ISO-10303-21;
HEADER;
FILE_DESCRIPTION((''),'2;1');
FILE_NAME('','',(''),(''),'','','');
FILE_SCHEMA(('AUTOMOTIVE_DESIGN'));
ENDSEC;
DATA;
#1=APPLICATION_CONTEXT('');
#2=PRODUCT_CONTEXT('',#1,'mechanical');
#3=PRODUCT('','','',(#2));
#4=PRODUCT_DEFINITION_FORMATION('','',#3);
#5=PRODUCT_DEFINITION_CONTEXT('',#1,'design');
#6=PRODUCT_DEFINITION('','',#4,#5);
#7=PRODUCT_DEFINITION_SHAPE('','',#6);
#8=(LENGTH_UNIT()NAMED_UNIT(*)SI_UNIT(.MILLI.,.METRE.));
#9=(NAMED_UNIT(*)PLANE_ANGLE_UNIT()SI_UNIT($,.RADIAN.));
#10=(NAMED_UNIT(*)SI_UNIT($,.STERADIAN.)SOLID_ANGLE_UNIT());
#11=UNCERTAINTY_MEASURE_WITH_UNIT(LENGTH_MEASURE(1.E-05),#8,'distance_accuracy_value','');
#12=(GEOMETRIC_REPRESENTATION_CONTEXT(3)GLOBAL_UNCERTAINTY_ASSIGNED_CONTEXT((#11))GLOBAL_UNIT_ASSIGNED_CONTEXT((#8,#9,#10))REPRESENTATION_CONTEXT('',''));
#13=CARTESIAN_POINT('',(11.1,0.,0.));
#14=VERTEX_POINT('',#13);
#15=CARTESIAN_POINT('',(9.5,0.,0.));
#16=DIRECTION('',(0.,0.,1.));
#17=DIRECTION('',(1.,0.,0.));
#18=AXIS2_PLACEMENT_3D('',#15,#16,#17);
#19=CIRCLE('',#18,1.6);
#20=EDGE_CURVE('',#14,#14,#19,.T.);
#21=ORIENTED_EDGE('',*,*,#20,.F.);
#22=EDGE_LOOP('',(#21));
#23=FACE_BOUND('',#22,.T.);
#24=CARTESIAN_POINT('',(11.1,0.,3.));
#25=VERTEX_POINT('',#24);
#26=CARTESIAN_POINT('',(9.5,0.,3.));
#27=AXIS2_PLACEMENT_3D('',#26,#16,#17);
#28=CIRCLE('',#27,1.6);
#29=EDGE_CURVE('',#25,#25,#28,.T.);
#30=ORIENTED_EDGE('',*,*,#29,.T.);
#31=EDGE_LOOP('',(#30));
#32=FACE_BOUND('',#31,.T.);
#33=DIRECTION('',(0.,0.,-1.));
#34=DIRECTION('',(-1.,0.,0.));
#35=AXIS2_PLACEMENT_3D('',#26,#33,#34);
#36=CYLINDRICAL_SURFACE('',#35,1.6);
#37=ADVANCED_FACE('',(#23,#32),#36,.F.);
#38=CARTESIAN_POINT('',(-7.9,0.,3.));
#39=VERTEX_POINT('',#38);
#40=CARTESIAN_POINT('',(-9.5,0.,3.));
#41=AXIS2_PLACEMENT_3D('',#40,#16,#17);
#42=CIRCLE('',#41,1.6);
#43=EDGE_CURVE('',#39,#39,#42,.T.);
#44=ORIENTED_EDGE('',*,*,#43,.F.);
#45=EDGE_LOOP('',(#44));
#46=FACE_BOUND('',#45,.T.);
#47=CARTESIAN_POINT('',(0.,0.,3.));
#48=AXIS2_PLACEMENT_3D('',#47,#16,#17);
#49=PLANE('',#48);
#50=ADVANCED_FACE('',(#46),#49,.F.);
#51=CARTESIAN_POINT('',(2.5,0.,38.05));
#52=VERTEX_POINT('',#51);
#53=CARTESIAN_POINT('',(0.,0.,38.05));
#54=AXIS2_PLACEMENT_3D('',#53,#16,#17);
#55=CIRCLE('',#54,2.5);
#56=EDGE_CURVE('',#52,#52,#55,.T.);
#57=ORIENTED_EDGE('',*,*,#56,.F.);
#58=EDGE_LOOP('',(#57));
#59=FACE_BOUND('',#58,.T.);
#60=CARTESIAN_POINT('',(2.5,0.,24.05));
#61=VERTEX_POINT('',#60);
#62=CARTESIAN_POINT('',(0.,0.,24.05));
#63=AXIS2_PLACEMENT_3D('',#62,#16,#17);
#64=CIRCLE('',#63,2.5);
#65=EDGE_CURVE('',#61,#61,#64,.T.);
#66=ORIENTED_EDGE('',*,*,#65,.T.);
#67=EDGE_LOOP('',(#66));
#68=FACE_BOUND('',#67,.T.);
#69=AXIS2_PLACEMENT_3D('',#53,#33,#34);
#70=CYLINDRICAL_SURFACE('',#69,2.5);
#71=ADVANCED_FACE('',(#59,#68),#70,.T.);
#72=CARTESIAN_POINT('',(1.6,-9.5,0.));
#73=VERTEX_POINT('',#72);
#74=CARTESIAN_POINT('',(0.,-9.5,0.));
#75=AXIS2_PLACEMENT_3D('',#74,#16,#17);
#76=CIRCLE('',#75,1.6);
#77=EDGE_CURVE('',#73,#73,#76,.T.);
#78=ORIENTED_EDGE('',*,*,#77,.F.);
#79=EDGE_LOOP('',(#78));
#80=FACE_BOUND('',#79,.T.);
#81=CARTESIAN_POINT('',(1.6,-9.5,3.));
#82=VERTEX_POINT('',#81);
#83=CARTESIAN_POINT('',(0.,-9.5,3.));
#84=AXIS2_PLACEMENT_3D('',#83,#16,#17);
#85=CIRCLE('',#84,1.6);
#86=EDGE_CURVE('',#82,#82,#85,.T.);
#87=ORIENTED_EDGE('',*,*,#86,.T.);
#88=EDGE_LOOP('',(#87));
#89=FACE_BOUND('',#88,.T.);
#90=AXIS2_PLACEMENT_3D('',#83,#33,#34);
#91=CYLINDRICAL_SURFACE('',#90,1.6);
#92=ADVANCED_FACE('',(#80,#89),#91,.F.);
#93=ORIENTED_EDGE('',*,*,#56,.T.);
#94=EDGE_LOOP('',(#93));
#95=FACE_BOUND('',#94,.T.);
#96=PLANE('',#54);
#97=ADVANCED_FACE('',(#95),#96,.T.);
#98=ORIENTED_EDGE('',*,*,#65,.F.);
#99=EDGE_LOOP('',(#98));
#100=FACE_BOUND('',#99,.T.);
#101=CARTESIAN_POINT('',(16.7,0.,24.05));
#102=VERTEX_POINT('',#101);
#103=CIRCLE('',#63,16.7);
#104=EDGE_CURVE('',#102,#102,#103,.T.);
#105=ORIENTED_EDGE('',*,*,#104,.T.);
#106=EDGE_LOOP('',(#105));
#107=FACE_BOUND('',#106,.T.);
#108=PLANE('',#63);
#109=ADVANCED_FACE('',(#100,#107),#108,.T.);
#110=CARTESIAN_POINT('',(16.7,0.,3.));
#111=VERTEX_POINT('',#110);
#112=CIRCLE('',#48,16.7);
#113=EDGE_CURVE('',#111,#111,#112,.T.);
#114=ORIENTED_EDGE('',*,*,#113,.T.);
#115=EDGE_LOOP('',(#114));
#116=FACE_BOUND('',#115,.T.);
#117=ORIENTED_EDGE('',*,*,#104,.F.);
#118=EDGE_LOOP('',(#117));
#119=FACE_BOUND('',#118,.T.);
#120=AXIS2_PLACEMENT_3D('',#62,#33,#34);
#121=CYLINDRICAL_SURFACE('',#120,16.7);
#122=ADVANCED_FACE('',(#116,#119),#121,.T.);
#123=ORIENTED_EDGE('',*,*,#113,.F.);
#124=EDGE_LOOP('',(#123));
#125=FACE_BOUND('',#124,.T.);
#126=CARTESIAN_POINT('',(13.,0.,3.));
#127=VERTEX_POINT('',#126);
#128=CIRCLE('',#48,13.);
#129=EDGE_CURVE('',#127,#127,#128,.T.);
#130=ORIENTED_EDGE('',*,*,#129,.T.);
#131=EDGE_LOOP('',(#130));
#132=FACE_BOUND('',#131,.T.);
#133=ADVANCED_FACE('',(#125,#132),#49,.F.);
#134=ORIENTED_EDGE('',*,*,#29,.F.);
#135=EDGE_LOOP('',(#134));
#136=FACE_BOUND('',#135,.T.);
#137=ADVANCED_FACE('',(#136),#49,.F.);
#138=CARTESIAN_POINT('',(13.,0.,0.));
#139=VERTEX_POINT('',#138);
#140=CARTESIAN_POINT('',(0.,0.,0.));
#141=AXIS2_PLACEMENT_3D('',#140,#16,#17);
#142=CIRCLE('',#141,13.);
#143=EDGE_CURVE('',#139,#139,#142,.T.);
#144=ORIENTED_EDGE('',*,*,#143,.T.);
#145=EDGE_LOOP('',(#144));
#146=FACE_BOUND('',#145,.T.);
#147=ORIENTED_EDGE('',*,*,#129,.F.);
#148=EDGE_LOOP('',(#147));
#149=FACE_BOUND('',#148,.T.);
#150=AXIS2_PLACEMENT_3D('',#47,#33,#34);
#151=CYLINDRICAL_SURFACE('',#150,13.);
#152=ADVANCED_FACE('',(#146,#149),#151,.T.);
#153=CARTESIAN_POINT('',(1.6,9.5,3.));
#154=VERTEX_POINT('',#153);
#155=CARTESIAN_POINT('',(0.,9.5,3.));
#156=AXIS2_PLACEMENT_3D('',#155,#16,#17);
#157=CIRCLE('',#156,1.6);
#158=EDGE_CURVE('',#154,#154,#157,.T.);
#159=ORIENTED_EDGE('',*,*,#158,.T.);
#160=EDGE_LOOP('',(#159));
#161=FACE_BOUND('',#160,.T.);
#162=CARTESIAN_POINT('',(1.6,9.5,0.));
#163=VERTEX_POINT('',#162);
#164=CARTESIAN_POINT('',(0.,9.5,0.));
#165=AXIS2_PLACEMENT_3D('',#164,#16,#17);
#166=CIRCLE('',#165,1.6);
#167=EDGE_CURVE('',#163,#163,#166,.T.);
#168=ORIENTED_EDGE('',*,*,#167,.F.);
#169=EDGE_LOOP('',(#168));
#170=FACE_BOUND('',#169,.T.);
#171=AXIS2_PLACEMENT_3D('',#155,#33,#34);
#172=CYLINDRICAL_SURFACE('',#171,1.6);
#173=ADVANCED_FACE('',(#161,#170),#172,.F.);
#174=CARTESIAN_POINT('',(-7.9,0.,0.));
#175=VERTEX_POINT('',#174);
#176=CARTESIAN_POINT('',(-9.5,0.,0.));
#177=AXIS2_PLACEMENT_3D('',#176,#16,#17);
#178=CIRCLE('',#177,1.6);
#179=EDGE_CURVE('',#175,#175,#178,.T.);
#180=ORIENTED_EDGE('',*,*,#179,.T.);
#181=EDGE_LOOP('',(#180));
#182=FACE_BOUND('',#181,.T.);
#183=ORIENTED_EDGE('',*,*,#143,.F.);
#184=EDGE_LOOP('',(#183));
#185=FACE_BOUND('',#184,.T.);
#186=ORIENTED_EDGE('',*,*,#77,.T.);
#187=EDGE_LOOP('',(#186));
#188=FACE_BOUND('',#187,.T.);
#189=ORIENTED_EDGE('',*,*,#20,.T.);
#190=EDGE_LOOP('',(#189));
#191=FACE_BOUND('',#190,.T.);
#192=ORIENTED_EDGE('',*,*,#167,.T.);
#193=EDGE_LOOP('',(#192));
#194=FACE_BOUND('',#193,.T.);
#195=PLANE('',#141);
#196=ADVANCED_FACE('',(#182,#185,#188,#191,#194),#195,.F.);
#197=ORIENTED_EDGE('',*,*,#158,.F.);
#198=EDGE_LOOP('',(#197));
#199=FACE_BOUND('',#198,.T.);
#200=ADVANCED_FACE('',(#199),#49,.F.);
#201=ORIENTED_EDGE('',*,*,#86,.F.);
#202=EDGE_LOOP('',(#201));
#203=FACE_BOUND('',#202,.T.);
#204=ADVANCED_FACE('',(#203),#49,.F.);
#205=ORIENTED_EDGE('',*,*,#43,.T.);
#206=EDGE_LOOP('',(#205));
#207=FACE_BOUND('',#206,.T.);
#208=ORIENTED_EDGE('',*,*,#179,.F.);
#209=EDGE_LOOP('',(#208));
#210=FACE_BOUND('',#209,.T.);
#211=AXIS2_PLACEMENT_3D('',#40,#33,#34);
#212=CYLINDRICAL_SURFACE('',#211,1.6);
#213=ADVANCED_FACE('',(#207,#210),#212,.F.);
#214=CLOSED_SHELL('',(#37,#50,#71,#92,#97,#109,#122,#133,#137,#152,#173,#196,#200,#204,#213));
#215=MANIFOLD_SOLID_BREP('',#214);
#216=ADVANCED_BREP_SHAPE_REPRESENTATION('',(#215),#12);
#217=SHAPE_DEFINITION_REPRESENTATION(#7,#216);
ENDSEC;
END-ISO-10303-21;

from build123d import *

# Parameters (mm, degrees)
SKETCH_1_R        = 13
SKETCH_1_R_2      = 1.6
EXTRUDE_228_DEPTH = 3
EXTRUDE_START     = 3
SKETCH_2_R        = 16.7
EXTRUDE_287_DEPTH = 21.05
M5_14MM_START     = 24.05
SKETCH_3_R        = 2.5
M5_14MM_DEPTH     = 14


with BuildPart() as part:
    # 草图1 → Extrude 228 (new body)
    with BuildSketch(Plane.XY):
        Circle(SKETCH_1_R)
        with Locations((-9.5, 0)):
            Circle(SKETCH_1_R_2, mode=Mode.SUBTRACT)
        with Locations((0, -9.5)):
            Circle(SKETCH_1_R_2, mode=Mode.SUBTRACT)
        with Locations((9.5, 0)):
            Circle(SKETCH_1_R_2, mode=Mode.SUBTRACT)
        with Locations((0, 9.5)):
            Circle(SKETCH_1_R_2, mode=Mode.SUBTRACT)
    extrude(amount=EXTRUDE_228_DEPTH)

    # 草图2 → Extrude 287 (add)
    with BuildSketch(Plane.XY.offset(EXTRUDE_START)):
        Circle(SKETCH_2_R)
    extrude(amount=EXTRUDE_287_DEPTH)

    # 草图3 → M5桨轴_外伸14mm (add)
    with BuildSketch(Plane.XY.offset(M5_14MM_START)):
        Circle(SKETCH_3_R)
    extrude(amount=M5_14MM_DEPTH)


solid = part.part
